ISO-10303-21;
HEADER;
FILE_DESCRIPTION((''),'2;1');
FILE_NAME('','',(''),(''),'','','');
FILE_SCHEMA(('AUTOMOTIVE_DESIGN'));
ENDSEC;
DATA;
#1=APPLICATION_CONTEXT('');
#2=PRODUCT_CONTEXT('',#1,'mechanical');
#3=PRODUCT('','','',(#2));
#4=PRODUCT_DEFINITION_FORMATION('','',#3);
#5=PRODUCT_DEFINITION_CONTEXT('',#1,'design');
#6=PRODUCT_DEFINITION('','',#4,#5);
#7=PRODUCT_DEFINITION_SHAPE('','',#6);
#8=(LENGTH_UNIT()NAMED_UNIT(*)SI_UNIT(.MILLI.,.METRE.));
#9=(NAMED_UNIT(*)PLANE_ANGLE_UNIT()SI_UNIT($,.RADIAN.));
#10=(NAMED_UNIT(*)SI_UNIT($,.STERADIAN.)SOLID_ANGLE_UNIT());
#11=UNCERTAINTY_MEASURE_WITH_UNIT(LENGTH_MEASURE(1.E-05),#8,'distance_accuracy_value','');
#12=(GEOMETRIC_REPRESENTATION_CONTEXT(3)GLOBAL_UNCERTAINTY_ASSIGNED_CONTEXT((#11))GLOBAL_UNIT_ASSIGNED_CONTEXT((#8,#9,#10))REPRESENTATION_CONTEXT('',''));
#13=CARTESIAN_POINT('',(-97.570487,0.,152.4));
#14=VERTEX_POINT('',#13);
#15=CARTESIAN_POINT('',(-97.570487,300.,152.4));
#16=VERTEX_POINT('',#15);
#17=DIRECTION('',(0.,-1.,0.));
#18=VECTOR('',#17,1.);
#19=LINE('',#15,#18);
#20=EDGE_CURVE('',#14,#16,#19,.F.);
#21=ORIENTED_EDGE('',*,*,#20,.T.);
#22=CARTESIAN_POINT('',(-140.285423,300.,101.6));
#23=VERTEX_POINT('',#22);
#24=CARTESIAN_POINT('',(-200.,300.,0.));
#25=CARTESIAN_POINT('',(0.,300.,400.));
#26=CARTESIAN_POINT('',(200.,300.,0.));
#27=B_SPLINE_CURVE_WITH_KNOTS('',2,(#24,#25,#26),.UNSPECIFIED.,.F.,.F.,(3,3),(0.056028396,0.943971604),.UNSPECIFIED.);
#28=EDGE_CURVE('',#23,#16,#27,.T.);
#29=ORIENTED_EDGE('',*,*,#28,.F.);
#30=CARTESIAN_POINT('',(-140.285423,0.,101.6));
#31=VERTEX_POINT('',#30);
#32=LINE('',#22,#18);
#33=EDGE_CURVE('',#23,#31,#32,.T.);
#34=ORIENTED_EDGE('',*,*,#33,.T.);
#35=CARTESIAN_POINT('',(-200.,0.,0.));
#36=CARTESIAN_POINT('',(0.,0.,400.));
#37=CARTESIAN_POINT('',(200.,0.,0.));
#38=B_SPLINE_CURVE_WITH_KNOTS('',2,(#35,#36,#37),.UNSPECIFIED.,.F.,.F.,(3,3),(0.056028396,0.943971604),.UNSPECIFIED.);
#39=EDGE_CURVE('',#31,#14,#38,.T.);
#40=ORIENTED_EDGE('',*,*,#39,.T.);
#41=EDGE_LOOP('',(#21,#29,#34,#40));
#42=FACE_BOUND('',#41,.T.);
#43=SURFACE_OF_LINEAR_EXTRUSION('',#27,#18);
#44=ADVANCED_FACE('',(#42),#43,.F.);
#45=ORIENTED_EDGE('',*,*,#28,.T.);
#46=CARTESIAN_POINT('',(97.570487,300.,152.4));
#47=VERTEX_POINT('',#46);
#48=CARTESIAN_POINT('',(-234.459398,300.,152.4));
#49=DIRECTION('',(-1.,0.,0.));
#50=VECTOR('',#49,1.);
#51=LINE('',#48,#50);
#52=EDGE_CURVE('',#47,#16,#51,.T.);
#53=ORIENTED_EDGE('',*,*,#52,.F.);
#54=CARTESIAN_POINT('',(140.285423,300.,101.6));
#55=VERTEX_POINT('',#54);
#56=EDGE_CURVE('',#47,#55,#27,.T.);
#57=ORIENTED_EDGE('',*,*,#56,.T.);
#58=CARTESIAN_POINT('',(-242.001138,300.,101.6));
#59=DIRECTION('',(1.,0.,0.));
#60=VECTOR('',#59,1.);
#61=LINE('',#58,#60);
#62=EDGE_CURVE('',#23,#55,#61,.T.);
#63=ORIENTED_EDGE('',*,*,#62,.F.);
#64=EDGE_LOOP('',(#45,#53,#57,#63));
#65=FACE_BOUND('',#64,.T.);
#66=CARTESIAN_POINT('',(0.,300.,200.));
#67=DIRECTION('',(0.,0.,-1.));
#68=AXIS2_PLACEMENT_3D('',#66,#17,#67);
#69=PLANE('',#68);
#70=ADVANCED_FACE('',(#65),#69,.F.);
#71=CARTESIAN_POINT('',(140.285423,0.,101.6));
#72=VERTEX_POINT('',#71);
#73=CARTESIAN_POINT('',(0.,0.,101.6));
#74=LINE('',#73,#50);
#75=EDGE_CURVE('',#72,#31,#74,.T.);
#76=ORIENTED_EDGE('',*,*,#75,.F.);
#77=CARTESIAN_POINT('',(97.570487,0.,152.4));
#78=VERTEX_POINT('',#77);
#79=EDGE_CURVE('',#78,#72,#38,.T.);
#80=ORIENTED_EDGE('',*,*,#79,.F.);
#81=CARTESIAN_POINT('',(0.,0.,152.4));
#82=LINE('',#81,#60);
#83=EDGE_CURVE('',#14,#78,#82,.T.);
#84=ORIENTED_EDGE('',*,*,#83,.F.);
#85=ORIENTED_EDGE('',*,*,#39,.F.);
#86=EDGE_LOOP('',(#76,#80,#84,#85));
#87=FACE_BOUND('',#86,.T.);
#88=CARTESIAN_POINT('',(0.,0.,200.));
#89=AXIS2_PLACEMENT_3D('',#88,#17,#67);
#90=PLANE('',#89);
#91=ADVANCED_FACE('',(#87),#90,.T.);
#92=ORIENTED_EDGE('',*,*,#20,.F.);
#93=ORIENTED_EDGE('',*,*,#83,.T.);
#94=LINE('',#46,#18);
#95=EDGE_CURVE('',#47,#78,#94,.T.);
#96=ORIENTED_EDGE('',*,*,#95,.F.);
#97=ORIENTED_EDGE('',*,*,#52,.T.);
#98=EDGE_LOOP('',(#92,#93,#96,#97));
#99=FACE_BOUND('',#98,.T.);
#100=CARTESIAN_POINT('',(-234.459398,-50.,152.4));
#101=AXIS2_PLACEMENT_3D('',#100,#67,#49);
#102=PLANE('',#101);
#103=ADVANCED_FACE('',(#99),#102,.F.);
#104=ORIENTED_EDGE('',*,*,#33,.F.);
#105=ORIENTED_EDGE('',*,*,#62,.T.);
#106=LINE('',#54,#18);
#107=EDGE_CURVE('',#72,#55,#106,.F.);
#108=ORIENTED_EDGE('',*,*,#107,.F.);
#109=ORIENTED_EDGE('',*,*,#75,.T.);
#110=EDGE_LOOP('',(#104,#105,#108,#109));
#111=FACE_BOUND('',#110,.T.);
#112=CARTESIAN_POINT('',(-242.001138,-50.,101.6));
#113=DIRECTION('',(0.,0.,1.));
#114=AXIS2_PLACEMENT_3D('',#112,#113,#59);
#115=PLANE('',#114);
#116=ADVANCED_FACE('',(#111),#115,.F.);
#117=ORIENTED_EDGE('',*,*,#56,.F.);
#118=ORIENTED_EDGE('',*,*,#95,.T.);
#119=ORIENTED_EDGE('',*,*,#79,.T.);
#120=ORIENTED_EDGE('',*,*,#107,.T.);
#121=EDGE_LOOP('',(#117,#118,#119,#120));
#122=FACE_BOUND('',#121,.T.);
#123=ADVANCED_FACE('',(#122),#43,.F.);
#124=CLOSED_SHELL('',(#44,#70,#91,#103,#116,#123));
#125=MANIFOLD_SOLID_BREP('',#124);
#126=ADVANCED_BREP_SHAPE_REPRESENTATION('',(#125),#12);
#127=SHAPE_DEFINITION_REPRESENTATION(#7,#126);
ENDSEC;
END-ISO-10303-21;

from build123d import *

# Parameters (mm, degrees)
BOSS_EXTRUDE1_DEPTH = 300
SKETCH2_W           = 518.16192396
SKETCH2_H           = 180.558136174
CUT_EXTRUDE1_DEPTH  = 350
SKETCH3_W           = 500.860284375
SKETCH3_H           = 116.675159248
CUT_EXTRUDE2_DEPTH  = 350


with BuildPart() as part:
    # Sketch1 → Boss-Extrude1 (new body)
    with BuildSketch(Plane(origin=(0, 0, 0), x_dir=(1, 0, 0), z_dir=(0, 1, 0))):
        with BuildLine():
            Line((-200, 1e-09), (200, 1e-09))
            add(Edge.make_bspline(
                [(-200, 1e-09), (0, -400.000000001), (200, 1e-09)],
                knots=[0.056028396, 0.056028396, 0.056028396, 0.943971604, 0.943971604, 0.943971604], degree=2))
        make_face()
    extrude(amount=BOSS_EXTRUDE1_DEPTH)

    # Sketch2 → Cut-Extrude1 (cut)
    with BuildSketch(Plane(origin=(0, 300, 0), x_dir=(1, 0, 0), z_dir=(0, 1, 0))):
        with Locations((17.079823692, -11.320931912)):
            Rectangle(SKETCH2_W, SKETCH2_H)
    extrude(amount=-CUT_EXTRUDE1_DEPTH, mode=Mode.SUBTRACT)

    # Sketch3 → Cut-Extrude2 (cut)
    with BuildSketch(Plane(origin=(0, 300, 0), x_dir=(1, 0, 0), z_dir=(0, 1, 0))):
        with Locations((15.970744232, -210.737579623)):
            Rectangle(SKETCH3_W, SKETCH3_H)
    extrude(amount=-CUT_EXTRUDE2_DEPTH, mode=Mode.SUBTRACT)


solid = part.part
